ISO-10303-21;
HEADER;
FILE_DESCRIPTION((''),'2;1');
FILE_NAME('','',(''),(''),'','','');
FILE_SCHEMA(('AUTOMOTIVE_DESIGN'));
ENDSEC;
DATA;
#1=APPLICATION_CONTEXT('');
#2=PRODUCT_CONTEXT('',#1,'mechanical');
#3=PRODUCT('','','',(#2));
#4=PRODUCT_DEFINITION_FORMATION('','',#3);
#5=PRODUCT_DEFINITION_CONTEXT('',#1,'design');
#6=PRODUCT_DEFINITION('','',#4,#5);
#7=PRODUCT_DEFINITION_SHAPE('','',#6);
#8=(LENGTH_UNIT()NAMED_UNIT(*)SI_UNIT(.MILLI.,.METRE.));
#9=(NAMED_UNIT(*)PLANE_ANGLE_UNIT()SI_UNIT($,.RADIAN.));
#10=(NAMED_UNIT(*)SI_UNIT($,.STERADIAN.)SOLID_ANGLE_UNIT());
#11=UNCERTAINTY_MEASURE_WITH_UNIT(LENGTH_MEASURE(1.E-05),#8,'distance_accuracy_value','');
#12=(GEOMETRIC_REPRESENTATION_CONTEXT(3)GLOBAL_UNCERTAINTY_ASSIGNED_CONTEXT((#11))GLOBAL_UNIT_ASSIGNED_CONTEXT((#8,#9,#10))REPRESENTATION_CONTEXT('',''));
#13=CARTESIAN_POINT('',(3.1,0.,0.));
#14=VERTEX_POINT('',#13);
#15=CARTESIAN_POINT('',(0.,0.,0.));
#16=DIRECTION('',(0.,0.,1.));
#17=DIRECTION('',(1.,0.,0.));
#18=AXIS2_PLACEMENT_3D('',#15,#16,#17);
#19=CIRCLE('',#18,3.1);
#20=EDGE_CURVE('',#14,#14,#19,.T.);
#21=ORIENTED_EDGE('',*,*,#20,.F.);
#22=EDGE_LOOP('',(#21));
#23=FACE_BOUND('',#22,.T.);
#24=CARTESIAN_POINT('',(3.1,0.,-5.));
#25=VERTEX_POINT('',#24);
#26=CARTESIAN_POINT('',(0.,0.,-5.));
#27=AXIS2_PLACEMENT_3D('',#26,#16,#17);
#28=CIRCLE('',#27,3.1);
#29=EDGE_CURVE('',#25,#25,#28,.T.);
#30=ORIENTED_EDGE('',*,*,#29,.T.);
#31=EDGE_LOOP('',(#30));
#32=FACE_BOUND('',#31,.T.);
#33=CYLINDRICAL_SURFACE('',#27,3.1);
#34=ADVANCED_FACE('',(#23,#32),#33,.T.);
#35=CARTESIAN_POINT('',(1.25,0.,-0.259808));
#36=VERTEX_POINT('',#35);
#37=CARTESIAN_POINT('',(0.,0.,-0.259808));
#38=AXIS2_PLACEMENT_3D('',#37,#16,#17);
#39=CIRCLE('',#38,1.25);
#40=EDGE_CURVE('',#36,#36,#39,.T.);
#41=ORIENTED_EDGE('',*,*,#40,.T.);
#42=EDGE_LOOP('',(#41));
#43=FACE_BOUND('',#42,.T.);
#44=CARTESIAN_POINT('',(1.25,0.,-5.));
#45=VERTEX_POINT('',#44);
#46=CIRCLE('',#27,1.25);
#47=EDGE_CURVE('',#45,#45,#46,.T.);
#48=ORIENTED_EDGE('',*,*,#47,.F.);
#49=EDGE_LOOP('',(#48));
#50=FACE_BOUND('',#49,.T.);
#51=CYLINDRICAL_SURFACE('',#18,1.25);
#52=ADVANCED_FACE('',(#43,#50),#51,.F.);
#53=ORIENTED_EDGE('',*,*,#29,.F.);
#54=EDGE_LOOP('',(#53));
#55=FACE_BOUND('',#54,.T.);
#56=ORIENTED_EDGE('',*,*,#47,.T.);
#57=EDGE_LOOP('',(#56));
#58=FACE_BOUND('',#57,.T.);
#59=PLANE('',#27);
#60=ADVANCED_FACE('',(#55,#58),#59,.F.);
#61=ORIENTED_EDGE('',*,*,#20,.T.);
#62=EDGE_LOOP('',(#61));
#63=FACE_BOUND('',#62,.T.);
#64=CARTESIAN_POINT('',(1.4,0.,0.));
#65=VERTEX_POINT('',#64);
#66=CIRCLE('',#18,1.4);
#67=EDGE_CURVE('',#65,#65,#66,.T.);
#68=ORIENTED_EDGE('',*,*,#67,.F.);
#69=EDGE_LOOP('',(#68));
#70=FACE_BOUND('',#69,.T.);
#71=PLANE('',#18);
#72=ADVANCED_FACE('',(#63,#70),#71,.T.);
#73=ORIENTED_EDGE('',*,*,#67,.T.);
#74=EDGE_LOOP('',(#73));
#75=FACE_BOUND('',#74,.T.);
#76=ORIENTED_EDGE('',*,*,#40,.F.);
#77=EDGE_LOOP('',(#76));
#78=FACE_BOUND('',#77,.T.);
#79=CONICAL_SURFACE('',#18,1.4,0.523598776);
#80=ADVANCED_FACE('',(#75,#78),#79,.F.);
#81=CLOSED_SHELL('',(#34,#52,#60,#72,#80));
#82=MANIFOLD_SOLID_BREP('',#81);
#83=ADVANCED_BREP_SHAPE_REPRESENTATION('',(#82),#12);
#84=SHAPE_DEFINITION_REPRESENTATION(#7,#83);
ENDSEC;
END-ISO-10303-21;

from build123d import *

# Parameters (mm, degrees)
SKETCH2_R                            = 3.1
BOSS_EXTRUDE1_DEPTH                  = 5
F_2_5_2_5_DIAMETER_HOLE1_D           = 2.5
F_2_5_2_5_DIAMETER_HOLE1_DEPTH       = 5
F_2_5_2_5_DIAMETER_HOLE1_CSINK_D     = 2.8
F_2_5_2_5_DIAMETER_HOLE1_CSINK_ANGLE = 60


with BuildPart() as part:
    # Sketch2 → Boss-Extrude1 (new body)
    with BuildSketch(Plane.XY):
        Circle(SKETCH2_R)
    extrude(amount=-BOSS_EXTRUDE1_DEPTH)

    # Ø2.5 (2.5) Diameter Hole1
    with Locations(Plane.XY):
        with Locations((0, 0)):
            CounterSinkHole(F_2_5_2_5_DIAMETER_HOLE1_D / 2, F_2_5_2_5_DIAMETER_HOLE1_CSINK_D / 2, depth=F_2_5_2_5_DIAMETER_HOLE1_DEPTH, counter_sink_angle=F_2_5_2_5_DIAMETER_HOLE1_CSINK_ANGLE)


solid = part.part
